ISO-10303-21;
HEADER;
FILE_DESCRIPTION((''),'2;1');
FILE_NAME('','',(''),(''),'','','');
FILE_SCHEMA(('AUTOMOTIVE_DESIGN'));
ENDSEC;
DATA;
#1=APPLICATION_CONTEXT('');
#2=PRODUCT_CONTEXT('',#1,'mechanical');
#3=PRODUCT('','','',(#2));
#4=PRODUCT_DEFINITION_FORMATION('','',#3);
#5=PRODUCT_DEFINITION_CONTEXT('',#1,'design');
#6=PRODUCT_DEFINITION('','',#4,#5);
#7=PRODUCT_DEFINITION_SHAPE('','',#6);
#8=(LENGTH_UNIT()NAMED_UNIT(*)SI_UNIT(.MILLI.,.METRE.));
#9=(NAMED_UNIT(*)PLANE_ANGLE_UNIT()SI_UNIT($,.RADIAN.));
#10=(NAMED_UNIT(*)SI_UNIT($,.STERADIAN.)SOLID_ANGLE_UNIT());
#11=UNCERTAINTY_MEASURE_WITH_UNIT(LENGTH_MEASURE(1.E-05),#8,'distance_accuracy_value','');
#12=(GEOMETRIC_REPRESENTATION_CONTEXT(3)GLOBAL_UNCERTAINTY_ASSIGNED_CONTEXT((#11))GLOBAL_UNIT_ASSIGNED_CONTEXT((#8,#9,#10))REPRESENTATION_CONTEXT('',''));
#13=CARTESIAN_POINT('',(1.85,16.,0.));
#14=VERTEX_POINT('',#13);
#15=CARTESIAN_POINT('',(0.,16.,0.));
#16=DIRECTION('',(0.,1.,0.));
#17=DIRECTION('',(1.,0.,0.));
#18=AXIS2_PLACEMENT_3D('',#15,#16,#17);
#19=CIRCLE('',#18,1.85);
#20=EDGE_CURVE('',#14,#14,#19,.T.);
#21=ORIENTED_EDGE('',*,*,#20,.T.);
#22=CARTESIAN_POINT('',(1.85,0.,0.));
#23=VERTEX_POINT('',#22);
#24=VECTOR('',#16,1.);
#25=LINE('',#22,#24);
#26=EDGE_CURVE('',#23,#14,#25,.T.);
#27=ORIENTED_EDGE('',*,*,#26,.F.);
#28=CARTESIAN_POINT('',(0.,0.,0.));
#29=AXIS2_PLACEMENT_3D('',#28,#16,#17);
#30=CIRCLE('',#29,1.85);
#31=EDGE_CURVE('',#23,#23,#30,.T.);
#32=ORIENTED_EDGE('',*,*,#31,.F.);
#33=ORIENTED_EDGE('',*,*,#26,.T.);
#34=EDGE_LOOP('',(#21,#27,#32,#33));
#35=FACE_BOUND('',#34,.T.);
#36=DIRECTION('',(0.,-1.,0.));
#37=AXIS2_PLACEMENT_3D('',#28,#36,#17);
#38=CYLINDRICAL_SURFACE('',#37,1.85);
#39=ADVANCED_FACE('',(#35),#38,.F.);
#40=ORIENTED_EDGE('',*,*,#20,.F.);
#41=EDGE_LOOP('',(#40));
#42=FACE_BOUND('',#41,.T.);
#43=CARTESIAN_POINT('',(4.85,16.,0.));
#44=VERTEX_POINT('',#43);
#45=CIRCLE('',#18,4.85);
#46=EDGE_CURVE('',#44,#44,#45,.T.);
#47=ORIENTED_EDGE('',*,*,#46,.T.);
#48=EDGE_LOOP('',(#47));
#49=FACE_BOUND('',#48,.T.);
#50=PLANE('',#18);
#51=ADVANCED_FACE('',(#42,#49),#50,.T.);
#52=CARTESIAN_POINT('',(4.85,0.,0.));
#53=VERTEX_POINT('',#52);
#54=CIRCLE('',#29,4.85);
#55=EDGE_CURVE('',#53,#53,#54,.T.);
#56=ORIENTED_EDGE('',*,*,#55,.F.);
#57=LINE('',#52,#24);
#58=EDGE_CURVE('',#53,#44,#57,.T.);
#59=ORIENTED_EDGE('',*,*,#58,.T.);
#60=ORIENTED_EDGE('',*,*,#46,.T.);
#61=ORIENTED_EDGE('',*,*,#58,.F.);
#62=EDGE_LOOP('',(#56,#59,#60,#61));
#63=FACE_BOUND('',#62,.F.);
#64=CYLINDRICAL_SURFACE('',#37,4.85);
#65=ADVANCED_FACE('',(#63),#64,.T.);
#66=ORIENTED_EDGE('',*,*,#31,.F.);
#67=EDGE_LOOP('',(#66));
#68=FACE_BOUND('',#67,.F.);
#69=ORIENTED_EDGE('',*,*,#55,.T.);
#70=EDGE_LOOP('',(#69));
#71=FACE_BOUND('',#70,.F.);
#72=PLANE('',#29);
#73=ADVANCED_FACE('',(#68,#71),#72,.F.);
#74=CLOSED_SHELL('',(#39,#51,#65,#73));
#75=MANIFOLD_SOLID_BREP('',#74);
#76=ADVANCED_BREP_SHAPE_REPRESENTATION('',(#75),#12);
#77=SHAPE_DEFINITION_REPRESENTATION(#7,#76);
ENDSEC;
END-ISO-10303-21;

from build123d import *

# Parameters (mm, degrees)
SKETCH_1_R      = 4.85
SKETCH_1_R_2    = 1.85
EXTRUDE_1_DEPTH = 16


with BuildPart() as part:
    # 草图1 → 拉伸-薄壁1 (new body)
    with BuildSketch(Plane(origin=(0, 0, 0), x_dir=(1, 0, 0), z_dir=(0, 1, 0))):
        Circle(SKETCH_1_R)
        Circle(SKETCH_1_R_2, mode=Mode.SUBTRACT)
    extrude(amount=EXTRUDE_1_DEPTH)


solid = part.part
